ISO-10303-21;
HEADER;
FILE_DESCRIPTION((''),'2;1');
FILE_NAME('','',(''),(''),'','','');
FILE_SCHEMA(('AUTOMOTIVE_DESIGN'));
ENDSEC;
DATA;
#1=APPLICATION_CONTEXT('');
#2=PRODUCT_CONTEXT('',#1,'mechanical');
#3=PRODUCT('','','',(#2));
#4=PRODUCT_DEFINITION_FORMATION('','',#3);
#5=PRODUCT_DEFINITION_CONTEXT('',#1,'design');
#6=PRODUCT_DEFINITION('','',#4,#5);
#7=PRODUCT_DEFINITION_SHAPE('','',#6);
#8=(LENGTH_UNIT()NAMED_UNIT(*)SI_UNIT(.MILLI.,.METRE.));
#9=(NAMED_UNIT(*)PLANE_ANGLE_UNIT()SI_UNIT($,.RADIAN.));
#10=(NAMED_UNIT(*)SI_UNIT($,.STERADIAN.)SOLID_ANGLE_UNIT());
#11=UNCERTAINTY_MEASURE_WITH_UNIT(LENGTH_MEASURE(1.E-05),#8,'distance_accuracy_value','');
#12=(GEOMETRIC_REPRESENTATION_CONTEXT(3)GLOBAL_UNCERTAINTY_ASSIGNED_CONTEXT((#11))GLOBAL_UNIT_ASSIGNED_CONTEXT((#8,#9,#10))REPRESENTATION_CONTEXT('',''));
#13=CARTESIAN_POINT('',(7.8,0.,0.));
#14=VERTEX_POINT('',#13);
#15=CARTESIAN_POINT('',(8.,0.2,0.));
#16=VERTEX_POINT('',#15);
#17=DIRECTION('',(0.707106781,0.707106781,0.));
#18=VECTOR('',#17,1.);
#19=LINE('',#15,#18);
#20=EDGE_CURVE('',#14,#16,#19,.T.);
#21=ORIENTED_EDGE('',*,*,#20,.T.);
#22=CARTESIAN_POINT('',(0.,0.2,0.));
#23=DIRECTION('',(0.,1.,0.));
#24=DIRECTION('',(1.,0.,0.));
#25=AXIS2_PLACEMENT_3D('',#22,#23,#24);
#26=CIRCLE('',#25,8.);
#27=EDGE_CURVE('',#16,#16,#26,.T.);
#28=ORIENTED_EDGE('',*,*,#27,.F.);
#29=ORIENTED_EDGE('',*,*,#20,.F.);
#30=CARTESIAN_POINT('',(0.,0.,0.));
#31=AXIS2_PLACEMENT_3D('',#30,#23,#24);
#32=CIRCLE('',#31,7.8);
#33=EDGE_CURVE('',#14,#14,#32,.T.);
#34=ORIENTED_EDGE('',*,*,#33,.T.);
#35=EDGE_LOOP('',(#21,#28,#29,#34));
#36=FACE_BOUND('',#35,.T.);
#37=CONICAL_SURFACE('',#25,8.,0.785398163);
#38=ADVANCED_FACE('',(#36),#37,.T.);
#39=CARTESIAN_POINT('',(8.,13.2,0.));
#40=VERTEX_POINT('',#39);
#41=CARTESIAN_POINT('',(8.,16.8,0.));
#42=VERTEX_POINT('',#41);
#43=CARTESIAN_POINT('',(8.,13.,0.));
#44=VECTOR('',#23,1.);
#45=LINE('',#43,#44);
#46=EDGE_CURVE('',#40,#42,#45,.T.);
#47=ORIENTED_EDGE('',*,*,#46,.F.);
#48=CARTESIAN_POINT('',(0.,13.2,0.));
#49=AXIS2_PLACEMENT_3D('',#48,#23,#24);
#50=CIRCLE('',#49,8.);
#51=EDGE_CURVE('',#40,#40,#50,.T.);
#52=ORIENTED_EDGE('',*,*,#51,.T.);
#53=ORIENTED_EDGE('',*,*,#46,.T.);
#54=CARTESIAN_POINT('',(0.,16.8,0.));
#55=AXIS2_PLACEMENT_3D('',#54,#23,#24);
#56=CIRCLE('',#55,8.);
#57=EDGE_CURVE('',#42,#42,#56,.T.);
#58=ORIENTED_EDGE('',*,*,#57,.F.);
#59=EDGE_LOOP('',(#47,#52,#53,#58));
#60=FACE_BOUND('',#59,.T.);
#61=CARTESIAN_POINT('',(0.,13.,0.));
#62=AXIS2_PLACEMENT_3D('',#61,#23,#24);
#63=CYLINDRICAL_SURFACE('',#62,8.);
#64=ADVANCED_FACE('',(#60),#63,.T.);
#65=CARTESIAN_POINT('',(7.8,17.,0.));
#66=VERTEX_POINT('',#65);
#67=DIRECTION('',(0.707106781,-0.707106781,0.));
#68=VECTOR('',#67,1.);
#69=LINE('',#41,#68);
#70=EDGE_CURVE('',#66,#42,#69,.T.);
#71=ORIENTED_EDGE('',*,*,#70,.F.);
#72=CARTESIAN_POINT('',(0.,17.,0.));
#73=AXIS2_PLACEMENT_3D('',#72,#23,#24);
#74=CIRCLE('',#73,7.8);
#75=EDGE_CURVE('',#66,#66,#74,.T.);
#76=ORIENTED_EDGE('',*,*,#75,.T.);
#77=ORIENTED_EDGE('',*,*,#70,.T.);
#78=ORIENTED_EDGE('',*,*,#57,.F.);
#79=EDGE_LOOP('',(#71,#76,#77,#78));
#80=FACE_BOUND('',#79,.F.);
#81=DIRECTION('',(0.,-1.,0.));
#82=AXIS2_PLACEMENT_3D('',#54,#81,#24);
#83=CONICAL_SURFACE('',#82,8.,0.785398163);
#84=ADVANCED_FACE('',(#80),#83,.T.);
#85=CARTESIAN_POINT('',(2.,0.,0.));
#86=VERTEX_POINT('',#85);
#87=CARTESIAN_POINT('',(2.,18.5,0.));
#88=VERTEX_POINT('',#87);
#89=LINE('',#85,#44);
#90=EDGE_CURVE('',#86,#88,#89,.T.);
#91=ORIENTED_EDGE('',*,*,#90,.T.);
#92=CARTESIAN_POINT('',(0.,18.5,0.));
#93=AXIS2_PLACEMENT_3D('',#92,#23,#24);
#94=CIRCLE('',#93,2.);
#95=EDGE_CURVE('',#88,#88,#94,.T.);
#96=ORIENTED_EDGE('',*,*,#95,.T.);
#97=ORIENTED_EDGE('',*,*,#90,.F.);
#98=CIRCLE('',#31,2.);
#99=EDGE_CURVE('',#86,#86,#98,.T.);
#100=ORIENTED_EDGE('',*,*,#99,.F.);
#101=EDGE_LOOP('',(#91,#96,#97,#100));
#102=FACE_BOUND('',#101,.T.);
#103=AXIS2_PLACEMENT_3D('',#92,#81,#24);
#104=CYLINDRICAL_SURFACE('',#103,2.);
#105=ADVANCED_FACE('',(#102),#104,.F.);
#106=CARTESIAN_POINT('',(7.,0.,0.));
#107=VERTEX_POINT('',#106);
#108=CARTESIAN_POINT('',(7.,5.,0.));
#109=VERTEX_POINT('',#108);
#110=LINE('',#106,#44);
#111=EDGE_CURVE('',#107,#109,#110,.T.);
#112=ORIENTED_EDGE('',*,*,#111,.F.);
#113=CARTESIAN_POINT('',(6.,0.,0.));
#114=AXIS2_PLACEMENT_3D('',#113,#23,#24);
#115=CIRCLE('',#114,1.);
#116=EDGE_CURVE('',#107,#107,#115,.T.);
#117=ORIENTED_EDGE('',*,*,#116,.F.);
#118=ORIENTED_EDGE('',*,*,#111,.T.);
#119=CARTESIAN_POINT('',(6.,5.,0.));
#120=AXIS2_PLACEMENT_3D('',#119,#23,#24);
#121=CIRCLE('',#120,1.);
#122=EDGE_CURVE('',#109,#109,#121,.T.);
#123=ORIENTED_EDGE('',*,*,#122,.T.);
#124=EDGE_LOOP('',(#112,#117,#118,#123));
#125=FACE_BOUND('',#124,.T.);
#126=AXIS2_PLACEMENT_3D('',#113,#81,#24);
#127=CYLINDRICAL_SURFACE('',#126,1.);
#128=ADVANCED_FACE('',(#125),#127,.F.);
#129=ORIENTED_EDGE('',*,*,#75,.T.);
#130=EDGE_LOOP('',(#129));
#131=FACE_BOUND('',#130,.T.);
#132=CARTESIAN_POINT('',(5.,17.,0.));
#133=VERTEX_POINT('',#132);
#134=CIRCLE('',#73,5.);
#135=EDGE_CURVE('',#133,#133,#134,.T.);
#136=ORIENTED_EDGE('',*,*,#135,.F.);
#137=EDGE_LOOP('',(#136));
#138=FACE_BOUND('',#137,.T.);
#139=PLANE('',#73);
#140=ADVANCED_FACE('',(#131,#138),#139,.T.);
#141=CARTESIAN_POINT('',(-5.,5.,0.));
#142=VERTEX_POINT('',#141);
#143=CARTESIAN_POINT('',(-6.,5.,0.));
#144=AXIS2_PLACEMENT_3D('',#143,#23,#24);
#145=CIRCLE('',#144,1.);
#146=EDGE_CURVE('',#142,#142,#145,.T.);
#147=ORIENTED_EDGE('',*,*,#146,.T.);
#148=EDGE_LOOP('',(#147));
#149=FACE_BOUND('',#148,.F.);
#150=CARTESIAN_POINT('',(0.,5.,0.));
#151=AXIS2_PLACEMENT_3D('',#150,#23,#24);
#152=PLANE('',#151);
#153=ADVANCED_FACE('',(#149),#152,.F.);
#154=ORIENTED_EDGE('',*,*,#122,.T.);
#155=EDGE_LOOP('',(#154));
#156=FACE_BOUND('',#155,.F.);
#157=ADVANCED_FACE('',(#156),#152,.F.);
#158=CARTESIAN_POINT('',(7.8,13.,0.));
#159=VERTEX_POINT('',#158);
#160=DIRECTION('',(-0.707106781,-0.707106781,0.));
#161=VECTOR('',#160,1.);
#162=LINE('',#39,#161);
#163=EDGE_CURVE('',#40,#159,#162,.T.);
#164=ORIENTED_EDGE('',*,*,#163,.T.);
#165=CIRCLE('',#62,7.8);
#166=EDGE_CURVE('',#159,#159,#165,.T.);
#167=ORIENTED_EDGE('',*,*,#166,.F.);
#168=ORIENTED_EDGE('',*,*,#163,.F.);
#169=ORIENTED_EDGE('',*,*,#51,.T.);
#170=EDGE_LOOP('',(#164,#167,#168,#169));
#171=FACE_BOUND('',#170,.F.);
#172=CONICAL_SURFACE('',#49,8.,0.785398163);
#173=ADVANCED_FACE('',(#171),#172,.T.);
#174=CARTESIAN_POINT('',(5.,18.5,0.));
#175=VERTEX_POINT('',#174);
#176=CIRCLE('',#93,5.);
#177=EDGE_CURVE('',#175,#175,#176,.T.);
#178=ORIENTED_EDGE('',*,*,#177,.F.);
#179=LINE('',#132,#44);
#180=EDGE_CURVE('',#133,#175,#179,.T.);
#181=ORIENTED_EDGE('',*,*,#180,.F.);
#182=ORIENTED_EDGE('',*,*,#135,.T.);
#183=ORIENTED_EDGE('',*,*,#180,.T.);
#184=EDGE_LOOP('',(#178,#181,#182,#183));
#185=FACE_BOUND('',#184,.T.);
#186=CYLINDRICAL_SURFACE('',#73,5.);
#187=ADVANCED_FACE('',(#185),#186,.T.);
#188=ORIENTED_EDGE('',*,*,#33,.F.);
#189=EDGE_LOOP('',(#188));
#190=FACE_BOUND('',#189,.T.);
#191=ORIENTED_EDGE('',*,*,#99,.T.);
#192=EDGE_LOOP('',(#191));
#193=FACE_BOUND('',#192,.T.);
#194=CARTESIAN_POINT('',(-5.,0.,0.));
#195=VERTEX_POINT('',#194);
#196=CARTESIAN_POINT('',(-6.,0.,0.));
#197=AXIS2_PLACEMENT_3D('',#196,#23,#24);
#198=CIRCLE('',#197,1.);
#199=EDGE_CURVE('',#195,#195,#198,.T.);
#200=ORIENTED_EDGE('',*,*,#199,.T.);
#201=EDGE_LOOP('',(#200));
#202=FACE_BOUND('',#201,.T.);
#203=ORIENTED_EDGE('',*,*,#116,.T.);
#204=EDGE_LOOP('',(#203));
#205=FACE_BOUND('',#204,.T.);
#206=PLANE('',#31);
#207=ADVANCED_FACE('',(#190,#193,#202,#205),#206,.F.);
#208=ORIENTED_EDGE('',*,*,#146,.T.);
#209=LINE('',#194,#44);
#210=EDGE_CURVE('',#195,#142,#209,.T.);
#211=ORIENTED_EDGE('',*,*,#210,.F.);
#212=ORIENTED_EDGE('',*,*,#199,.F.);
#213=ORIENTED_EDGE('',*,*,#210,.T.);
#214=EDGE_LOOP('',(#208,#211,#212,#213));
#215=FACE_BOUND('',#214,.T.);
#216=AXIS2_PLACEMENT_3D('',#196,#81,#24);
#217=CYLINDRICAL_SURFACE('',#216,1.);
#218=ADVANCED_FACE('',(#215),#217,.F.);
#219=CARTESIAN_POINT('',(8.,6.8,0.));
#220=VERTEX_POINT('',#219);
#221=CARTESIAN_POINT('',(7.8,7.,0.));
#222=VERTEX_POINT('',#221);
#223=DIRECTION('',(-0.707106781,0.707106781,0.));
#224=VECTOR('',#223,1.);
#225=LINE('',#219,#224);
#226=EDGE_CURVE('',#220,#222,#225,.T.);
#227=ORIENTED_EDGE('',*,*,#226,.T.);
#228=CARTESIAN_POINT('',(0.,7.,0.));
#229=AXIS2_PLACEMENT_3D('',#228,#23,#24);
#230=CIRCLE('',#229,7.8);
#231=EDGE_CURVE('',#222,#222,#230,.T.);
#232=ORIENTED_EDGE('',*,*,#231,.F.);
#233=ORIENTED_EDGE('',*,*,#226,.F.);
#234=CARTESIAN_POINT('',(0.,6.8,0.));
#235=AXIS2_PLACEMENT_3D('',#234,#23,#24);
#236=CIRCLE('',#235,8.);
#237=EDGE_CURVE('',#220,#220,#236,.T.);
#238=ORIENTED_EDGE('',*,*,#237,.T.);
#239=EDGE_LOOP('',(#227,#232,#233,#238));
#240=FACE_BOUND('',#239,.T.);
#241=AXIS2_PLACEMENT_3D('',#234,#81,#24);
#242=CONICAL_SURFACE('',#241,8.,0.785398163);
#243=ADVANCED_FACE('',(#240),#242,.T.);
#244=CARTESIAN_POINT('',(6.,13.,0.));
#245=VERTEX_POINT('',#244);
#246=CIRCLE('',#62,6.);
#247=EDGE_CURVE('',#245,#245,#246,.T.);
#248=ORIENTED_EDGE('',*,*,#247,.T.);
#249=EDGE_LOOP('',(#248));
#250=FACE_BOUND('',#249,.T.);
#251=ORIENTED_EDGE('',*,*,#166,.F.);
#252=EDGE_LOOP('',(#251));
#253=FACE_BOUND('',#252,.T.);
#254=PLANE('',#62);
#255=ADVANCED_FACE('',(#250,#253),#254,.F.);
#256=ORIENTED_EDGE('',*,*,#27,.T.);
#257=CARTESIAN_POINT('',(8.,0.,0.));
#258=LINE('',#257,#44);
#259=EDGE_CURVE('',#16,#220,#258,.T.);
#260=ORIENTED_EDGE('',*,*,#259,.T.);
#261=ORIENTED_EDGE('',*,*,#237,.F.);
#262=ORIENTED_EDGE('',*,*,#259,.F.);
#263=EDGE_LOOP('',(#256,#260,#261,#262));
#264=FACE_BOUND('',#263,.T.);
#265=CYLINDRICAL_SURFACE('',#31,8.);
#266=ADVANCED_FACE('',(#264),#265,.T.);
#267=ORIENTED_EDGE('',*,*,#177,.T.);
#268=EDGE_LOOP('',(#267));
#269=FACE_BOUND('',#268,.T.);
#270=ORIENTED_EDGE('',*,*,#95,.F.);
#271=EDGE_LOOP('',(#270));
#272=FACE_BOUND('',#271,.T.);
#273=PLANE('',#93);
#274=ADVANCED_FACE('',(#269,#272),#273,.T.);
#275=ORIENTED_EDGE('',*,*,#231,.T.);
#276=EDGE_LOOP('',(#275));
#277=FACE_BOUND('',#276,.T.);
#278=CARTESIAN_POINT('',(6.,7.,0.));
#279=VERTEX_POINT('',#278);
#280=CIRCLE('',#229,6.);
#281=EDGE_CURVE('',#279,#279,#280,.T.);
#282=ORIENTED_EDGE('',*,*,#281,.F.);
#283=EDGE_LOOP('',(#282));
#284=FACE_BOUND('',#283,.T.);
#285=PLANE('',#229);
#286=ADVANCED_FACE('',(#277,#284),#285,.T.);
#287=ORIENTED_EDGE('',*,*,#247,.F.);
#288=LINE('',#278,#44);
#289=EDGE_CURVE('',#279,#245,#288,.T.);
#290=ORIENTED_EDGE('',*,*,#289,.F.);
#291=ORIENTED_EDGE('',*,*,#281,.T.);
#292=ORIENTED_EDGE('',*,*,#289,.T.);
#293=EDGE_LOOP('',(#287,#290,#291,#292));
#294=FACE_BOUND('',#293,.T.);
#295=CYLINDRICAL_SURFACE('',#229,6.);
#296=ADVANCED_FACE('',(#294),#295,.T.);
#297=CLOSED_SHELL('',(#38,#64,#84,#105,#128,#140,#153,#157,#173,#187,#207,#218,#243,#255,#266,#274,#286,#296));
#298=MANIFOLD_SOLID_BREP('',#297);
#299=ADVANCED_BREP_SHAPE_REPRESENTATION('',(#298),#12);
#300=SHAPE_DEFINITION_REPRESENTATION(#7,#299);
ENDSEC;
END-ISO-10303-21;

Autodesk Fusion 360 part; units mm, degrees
sketch "Sketch1" plane through (0, 0, 0) normal (0, 0, 1) x (1, 0, 0)
  line L0 (0, 0) -> (0, 70.4213)
  line L1 (0, 0) -> (8, 0)
  line L2 (8, 0) -> (8, 7)
  line L3 (8, 7) -> (6, 7)
  line L4 (6, 7) -> (6, 13)
  line L5 (6, 13) -> (8, 13)
  line L6 (8, 13) -> (8, 17)
  line L7 (8, 17) -> (0, 17)
  line L8 (2, 18.5) -> (2, 0)
  line L9 (5, 17) -> (5, 18.5)
  line L10 (5, 18.5) -> (0, 18.5)
  dimension "d1" = 17
  dimension "d2" = 4
  dimension "d3" = 7
  dimension "d4" = 12
  dimension "d5" = 16
  dimension "d6" = 1.5
  dimension "d7" = 10
  dimension "d8" = 4
revolve "Revolve1" add sketch "Sketch1" angle 360 about axis through (0, 0, 0) along (0, 1, 0) contours L1 L2 L3 L4 L5 L6 L7 L8 | L7 L8 L9 L10
sketch "Sketch2" plane through (0, 0, 0) normal (0, 1, 0) x (1, 0, 0)
  line L0 (0, 0) -> (6, 0) construction
  line L1 (0, 0) -> (-6, 0) construction
  circle A0 centre (-6, 0) radius 1
  circle A1 centre (6, 0) radius 1
  dimension "d10" = 2
  dimension "d11" = 6
extrude "Extrude1" cut sketch "Sketch2" along normal blind 5
chamfer "Chamfer1" distance 0.2 angle 45 4 edges at (-7.4586, 17, -2.8929) (-7.4586, 7, -2.8929) (-7.4586, 13, -2.8929) (-7.4586, 0, -2.8929)
